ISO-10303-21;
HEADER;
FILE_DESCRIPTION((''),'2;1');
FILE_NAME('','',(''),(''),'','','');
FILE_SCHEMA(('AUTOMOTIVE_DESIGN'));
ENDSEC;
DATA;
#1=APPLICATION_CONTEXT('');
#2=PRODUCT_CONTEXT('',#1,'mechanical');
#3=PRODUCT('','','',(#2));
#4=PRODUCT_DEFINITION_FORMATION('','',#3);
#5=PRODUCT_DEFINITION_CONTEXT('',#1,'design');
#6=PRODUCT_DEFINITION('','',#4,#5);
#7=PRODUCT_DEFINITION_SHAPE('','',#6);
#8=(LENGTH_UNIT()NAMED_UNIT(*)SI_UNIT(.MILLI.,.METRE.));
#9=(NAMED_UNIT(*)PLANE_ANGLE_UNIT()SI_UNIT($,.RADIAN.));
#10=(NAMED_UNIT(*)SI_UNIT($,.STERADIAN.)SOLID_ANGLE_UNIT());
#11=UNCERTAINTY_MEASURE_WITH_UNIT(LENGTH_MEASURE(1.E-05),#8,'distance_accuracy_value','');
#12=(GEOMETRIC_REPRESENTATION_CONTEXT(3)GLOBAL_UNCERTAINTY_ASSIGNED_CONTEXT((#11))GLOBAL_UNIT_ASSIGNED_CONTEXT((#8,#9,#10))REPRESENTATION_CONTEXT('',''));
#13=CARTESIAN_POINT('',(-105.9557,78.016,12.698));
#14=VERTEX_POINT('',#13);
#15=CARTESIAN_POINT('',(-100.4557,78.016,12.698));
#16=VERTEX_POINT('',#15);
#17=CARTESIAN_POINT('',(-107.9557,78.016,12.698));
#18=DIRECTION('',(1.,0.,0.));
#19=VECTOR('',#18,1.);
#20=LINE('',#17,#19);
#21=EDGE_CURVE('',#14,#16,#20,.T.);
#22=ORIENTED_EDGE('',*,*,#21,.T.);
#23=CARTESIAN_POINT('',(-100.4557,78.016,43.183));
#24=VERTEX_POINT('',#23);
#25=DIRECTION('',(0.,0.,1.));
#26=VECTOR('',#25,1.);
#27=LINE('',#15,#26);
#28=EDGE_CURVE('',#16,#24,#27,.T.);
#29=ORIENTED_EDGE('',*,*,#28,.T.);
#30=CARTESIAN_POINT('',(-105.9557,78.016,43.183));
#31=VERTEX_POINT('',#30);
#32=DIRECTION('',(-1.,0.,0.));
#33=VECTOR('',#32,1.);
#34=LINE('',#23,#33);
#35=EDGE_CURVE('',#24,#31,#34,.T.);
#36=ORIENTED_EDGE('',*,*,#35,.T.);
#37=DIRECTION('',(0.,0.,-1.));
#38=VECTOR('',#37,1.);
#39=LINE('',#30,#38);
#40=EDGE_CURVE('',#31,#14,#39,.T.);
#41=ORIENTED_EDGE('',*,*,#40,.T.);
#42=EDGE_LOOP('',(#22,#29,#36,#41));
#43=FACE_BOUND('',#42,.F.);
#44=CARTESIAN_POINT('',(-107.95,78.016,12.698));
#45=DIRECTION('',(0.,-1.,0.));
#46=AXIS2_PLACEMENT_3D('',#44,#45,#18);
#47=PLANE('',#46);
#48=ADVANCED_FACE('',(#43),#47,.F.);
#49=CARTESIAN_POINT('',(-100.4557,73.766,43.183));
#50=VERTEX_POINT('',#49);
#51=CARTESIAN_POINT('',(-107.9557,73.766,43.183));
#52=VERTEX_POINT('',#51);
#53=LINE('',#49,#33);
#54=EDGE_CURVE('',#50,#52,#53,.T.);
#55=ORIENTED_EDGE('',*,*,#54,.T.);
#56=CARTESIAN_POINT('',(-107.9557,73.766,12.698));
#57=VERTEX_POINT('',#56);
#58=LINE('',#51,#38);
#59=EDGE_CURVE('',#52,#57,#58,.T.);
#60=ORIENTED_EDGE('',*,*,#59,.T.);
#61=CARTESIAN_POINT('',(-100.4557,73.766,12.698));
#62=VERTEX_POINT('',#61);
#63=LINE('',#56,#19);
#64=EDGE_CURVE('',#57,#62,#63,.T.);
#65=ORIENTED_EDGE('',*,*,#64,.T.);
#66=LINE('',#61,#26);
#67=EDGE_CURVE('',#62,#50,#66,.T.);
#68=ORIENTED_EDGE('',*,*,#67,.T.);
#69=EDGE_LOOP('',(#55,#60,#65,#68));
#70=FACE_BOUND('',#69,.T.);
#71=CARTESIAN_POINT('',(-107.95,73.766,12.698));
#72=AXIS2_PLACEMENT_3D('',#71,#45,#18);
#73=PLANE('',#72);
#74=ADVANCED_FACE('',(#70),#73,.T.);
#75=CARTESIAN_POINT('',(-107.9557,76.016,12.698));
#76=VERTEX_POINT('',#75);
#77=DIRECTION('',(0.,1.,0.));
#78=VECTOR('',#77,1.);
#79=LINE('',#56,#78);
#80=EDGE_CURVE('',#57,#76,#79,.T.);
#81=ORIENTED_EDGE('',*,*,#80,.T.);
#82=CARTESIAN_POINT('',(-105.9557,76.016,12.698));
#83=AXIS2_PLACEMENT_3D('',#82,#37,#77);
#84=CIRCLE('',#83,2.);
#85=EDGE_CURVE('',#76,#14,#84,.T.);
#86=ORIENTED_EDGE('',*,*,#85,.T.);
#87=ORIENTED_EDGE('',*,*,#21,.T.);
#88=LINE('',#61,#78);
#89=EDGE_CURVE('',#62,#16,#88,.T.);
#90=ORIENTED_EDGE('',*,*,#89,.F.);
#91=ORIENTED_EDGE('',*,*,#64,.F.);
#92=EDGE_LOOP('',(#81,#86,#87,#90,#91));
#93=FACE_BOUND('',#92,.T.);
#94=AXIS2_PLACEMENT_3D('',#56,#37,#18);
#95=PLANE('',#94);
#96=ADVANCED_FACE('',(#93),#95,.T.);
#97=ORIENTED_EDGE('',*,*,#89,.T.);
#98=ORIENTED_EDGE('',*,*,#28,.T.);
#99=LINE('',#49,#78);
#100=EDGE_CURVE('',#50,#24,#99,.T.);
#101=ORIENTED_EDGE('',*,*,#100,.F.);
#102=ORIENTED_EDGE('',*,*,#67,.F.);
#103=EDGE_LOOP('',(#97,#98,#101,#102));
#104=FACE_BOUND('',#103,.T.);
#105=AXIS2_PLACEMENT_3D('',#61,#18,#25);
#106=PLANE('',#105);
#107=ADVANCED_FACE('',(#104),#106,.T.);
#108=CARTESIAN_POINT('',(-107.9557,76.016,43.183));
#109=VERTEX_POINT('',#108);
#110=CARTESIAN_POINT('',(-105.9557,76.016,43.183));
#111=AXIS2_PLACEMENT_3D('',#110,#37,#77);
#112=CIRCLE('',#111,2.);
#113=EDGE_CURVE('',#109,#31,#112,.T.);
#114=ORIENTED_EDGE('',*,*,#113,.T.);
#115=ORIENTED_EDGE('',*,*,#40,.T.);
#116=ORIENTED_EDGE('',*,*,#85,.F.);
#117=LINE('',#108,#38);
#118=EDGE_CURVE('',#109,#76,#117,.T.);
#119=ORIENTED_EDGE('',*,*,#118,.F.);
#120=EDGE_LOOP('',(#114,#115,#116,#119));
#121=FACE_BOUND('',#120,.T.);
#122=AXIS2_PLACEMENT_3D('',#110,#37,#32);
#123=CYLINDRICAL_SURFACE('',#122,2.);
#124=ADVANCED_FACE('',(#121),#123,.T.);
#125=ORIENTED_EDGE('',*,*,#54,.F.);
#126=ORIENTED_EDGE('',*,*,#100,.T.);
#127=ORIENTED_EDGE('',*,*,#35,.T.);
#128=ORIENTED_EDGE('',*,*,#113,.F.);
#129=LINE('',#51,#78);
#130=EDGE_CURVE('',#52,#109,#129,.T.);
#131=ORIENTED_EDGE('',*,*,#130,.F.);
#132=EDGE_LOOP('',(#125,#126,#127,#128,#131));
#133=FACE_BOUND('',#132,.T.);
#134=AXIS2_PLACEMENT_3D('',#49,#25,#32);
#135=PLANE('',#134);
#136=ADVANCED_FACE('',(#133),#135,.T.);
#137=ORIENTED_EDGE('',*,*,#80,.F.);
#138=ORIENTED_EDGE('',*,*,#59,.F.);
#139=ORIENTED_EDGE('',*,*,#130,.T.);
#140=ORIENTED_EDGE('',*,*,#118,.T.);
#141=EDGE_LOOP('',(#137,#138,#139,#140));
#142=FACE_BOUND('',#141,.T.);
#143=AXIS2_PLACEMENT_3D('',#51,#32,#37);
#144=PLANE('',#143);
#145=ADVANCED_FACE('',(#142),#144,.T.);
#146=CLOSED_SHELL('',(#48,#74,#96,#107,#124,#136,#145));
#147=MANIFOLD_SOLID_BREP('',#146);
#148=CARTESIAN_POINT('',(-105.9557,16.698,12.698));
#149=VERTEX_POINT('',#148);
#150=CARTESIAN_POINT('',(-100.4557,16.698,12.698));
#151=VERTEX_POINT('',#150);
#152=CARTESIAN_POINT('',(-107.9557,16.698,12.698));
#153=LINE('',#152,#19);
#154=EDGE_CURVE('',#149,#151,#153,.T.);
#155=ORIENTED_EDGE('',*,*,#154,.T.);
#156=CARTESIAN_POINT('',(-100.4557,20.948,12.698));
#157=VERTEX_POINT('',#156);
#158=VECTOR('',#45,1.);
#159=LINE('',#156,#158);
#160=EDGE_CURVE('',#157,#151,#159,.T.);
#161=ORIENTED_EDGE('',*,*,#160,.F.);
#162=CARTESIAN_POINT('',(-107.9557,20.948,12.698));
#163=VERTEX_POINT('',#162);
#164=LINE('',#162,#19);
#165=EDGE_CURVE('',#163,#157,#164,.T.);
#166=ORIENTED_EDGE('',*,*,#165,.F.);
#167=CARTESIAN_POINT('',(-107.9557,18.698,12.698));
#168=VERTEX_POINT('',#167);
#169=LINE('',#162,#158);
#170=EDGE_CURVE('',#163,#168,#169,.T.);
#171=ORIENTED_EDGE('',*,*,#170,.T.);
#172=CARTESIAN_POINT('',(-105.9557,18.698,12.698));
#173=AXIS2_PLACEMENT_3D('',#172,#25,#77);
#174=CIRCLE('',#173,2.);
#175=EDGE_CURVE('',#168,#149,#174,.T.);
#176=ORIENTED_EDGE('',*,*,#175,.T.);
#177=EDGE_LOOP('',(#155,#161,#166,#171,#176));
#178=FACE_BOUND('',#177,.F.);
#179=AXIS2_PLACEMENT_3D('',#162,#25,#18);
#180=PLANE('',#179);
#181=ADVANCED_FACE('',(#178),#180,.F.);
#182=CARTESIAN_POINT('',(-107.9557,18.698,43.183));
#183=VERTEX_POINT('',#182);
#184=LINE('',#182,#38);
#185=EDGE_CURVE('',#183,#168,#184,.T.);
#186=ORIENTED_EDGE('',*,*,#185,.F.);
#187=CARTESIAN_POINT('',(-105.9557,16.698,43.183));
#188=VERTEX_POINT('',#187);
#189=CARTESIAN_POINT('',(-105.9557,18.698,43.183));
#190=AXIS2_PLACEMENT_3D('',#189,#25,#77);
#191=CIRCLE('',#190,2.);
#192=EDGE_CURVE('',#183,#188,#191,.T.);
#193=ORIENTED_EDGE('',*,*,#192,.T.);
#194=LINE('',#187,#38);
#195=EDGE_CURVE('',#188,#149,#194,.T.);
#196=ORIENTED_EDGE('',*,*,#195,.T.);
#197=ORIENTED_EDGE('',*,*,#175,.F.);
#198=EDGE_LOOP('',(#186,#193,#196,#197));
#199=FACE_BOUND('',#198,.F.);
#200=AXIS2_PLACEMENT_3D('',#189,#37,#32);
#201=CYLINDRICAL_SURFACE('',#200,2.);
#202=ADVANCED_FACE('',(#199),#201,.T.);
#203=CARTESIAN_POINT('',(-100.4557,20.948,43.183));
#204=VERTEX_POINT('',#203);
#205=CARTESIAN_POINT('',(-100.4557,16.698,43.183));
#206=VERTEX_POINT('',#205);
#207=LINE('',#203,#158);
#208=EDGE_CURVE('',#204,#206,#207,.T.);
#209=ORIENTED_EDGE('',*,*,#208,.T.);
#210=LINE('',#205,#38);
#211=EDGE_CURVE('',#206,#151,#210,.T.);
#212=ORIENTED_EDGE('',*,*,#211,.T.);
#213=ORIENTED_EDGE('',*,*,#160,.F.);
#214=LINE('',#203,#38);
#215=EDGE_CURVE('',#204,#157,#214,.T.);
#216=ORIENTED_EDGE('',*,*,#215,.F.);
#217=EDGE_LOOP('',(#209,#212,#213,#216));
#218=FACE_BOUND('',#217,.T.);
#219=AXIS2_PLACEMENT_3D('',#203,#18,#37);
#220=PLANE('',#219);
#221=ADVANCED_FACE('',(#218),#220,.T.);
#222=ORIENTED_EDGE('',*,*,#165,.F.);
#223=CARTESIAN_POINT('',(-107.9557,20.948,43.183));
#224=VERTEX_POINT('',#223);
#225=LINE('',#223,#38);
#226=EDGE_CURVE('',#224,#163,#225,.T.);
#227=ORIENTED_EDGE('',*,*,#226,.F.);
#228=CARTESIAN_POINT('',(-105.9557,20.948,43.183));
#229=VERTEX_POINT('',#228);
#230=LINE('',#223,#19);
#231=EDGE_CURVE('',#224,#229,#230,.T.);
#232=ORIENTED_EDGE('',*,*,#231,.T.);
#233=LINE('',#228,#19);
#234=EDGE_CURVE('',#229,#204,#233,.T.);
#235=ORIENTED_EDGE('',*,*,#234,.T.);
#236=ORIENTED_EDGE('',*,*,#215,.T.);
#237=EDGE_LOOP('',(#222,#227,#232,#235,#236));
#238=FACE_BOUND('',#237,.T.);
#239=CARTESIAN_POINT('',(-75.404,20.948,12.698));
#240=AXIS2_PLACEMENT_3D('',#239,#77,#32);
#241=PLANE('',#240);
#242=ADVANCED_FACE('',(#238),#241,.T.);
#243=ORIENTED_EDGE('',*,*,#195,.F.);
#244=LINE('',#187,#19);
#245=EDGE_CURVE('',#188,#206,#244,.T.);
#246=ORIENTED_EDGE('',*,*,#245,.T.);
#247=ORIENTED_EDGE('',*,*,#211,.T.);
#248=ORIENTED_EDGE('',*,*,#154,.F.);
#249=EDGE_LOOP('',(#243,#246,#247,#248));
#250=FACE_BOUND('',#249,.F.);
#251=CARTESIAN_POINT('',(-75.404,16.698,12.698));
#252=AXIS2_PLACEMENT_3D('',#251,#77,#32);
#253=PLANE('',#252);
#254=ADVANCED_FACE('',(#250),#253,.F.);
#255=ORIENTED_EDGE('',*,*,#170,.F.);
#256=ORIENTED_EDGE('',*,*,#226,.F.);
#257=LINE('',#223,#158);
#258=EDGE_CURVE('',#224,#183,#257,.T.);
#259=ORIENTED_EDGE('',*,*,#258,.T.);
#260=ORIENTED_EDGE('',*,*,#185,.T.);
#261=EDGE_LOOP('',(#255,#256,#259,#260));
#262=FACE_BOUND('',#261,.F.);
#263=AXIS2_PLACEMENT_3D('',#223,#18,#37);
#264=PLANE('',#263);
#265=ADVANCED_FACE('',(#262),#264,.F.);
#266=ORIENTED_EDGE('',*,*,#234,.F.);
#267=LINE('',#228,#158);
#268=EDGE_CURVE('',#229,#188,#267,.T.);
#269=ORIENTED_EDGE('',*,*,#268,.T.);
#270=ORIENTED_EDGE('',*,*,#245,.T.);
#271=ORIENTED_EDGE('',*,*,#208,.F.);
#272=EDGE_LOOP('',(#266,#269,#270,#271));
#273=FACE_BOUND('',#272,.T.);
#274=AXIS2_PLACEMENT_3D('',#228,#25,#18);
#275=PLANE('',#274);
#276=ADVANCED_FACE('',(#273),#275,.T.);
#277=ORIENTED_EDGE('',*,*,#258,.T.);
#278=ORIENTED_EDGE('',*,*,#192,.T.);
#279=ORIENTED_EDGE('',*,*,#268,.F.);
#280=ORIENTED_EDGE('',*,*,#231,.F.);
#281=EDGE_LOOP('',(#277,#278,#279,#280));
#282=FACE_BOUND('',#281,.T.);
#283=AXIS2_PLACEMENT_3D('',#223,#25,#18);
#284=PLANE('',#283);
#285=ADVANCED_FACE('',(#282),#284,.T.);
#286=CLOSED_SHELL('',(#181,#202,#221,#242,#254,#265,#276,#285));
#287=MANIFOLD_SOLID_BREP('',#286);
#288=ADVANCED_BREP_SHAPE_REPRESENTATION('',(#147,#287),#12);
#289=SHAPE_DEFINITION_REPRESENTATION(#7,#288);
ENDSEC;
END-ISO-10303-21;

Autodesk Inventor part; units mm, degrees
ref_plane "YZ Plane" through (0, 0, 0) normal (1, 0, 0) x (0, 1, 0)
ref_plane "XZ Plane" through (0, 0, 0) normal (0, 1, 0) x (-1, 0, 0)
ref_plane "XY Plane" through (0, 0, 0) normal (0, 0, 1) x (1, 0, 0)
sketch "Sketch2" plane through (-107.95, 73.766, 12.698) normal (0, -1, 0) x (1, 0, 0)
  line L0 (4.0161, 30.485) -> (-0.0057, 30.485) construction
  line L1 (-0.0057, 0) -> (4.0161, 0) construction
  line L2 (-0.0057, 30.485) -> (-0.0057, 0)
  line L3 (-0.0057, 0) -> (7.4943, 0)
  line L4 (7.4943, 0) -> (7.4943, 30.485)
  line L5 (7.4943, 30.485) -> (-0.0057, 30.485)
  point P0 (107.95, -12.698)
  dimension "d0" = 7.5
extrude "Extrusion1" add sketch "Sketch2" against normal blind 4.25
fillet "Fillet1" radius 2 1 edges at (-107.9557, 78.016, 27.9405)
sketch "Sketch4" plane through (-75.404, 20.948, 12.698) normal (0, 1, 0) x (-1, 0, 0)
  line L0 (32.5517, 30.485) -> (32.5517, 0) projected
  line L1 (32.5517, 0) -> (32.5517, 30.485)
  line L2 (30.5517, 30.485) -> (25.0517, 30.485) projected
  line L3 (32.5517, 30.485) -> (25.0517, 30.485)
  line L4 (25.0517, 30.485) -> (25.0517, 0)
  line L5 (32.5517, 0) -> (25.0517, 0) projected
  line L6 (25.0517, 0) -> (32.5517, 0)
  point P0 (-75.404, -12.698)
extrude "Extrusion2" add sketch "Sketch4" against normal blind 4.25
fillet "Fillet2" radius 2 1 edges at (-107.9557, 16.698, 27.9405)
properties part number "vertical_battery_holder"
